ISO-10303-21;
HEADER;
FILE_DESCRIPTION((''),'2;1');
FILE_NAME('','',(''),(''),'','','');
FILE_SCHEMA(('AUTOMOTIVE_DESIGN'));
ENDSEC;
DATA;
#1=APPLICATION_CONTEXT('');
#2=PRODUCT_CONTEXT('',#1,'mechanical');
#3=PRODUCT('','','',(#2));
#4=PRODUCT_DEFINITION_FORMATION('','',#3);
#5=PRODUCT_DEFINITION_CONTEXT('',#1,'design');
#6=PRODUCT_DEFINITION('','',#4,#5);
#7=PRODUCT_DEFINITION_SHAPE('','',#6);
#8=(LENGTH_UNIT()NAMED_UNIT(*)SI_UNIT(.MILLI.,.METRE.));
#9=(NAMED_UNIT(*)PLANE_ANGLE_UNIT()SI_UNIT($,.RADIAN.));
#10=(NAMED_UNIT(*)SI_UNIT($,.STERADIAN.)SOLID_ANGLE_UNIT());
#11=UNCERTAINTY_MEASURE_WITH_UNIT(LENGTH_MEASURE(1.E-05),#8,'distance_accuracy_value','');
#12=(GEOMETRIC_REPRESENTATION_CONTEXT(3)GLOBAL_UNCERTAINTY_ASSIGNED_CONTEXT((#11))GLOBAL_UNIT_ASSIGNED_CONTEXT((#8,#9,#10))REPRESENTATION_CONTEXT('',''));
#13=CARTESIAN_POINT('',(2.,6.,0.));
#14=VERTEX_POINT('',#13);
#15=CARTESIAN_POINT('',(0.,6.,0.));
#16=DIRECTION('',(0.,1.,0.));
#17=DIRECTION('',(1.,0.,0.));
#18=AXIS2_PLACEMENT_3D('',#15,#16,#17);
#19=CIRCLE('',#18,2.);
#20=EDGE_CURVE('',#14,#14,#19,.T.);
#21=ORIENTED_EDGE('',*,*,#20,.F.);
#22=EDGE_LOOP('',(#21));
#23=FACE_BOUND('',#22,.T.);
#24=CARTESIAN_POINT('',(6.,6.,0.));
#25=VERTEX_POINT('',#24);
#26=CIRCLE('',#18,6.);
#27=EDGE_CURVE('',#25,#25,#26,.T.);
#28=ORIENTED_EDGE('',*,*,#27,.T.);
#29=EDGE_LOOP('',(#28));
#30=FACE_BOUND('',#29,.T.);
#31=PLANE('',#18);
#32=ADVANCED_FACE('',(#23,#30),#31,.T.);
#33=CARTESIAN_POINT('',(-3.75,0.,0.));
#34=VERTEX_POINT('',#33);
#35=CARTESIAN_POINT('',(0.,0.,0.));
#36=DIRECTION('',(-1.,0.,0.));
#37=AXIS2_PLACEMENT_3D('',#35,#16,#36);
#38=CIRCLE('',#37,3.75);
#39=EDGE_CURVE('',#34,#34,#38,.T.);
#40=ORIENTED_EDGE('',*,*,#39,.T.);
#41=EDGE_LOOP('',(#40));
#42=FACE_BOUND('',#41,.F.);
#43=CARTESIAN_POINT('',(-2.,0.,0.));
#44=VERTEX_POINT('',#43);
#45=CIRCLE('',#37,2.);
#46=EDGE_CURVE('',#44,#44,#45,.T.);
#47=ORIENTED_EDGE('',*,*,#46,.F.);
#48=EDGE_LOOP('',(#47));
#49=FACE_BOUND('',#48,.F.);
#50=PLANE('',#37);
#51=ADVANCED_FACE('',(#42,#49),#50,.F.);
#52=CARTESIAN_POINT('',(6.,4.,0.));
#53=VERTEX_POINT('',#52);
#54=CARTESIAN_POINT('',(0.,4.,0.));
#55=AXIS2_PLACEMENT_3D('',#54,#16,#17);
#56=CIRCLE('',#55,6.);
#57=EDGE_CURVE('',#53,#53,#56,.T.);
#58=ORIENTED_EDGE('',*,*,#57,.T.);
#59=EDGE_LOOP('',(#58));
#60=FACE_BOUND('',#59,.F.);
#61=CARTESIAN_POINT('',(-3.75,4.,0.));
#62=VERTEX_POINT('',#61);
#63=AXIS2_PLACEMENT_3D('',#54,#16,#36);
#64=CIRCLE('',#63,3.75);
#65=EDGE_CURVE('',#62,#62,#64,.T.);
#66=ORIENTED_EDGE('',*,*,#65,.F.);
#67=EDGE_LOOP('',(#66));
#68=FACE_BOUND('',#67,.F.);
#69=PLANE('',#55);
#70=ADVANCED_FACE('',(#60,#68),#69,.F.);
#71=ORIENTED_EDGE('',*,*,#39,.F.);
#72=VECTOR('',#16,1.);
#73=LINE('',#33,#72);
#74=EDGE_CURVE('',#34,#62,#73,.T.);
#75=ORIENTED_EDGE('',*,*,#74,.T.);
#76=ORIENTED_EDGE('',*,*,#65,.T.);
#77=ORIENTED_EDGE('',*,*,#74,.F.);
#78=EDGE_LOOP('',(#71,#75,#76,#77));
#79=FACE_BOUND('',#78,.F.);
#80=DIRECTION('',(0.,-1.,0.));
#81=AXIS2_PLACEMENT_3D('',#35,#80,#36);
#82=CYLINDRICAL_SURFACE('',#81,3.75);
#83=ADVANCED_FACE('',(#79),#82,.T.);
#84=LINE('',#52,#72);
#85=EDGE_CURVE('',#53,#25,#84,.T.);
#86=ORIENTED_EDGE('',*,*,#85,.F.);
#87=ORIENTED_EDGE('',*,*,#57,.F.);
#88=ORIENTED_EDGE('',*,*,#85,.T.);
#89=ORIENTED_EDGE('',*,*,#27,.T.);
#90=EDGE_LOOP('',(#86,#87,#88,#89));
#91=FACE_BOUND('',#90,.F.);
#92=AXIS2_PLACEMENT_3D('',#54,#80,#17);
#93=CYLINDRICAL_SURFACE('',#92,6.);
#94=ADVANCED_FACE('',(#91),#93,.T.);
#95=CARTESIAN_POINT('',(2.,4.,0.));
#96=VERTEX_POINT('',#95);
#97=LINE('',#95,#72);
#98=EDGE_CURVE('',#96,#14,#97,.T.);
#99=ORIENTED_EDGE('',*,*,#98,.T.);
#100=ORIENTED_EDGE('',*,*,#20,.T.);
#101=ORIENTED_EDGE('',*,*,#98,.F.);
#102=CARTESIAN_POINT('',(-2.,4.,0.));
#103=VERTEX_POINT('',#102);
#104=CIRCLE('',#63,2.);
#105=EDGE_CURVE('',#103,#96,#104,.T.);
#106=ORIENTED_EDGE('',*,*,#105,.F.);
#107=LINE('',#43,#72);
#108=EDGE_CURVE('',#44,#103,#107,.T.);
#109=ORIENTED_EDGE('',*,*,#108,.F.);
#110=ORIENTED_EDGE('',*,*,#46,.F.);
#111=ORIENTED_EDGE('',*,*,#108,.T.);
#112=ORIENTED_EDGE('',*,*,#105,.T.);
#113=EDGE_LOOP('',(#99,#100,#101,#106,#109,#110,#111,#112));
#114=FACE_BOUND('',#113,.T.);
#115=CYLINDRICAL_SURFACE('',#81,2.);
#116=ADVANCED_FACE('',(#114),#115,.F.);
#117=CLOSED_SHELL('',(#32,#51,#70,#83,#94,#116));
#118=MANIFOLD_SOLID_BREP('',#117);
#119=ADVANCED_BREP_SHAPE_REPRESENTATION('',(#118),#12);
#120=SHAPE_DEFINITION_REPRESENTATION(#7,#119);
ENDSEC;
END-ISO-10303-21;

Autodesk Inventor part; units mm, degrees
ref_plane "YZ Plane" through (0, 0, 0) normal (1, 0, 0) x (0, 1, 0)
ref_plane "XZ Plane" through (0, 0, 0) normal (0, 1, 0) x (-1, 0, 0)
ref_plane "XY Plane" through (0, 0, 0) normal (0, 0, 1) x (1, 0, 0)
sketch "Sketch1" plane through (0, 0, 0) normal (0, 1, 0) x (-1, 0, 0)
  circle A0 centre (0, 0) radius 3.75
  circle A1 centre (0, 0) radius 2
  dimension "d0" = 7.5
  dimension "d1" = 4
extrude "Extrusion1" add sketch "Sketch1" along normal blind 4
sketch "Sketch2" plane through (0, 4, 0) normal (0, 1, 0) x (1, 0, 0)
  circle A0 centre (0, 0) radius 6
  circle A1 centre (0, 0) radius 2
  dimension "d4" = 12
  dimension "d5" = 4
extrude "Extrusion2" add sketch "Sketch2" along normal blind 2
properties part number "3mmSpacer"
